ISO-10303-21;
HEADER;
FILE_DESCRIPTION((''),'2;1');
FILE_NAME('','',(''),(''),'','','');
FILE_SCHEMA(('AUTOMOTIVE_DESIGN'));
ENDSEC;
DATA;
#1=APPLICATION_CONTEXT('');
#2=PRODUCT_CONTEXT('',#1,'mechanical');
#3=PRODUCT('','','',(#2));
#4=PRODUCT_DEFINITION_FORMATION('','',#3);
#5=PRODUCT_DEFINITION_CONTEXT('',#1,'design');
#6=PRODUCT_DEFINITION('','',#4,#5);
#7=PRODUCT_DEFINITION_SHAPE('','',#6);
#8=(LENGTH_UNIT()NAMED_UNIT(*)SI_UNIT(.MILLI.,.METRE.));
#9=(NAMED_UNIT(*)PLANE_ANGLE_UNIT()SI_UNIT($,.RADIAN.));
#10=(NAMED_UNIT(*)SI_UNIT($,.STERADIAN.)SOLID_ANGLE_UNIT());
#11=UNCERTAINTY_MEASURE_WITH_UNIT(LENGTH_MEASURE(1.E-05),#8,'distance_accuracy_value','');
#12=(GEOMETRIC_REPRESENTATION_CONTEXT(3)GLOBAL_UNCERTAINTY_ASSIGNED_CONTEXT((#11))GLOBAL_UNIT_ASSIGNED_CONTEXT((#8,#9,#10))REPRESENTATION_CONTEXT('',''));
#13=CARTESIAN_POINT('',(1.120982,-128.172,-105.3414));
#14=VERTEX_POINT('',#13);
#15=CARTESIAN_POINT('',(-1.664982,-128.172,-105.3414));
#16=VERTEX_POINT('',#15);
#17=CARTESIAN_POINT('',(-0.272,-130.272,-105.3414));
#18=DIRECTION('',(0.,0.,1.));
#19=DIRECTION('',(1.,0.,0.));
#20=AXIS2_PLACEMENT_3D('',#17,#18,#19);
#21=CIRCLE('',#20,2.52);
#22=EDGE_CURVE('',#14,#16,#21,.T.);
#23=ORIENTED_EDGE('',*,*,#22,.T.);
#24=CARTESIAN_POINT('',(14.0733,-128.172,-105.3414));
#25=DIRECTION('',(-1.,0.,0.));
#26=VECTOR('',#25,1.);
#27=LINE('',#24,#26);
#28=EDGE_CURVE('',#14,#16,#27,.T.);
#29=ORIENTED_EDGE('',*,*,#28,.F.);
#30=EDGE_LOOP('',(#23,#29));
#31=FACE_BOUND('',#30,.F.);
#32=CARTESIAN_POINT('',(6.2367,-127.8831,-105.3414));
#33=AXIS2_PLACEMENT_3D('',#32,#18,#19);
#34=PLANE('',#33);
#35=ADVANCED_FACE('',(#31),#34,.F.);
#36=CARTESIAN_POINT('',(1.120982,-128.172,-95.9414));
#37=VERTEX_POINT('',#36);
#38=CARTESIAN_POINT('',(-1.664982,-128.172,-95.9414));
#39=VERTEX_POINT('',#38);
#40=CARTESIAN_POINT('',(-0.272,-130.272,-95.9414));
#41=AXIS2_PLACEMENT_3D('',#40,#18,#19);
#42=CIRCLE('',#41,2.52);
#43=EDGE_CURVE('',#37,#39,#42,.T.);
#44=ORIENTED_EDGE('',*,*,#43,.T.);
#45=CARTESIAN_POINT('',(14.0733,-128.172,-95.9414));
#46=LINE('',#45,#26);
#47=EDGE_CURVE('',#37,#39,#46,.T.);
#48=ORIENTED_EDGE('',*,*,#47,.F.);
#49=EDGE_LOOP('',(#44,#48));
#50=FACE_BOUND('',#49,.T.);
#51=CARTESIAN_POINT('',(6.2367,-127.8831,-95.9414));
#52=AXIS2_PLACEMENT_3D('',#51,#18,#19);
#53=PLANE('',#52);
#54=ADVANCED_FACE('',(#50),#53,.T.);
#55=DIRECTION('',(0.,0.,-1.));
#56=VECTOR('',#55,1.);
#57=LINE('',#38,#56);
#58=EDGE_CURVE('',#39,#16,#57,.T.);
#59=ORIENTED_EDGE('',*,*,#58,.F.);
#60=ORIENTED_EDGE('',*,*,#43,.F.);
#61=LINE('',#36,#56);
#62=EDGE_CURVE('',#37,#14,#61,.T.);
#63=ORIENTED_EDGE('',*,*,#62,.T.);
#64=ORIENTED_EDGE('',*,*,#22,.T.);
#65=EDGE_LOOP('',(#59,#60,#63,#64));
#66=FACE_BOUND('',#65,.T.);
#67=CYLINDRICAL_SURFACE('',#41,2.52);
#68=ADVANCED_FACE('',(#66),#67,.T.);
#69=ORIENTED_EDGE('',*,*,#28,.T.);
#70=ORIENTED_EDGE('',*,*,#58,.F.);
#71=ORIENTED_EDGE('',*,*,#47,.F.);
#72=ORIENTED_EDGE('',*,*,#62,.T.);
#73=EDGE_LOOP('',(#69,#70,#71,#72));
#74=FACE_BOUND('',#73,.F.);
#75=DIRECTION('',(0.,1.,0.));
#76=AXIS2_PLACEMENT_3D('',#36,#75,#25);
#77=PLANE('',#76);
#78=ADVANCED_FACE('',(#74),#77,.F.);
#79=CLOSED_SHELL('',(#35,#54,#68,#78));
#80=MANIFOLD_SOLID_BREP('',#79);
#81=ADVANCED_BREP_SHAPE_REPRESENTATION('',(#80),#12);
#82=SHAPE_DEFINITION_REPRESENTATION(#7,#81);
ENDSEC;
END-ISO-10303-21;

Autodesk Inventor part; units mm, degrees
ref_plane "YZ Plane" through (0, 0, 0) normal (1, 0, 0) x (0, 1, 0)
ref_plane "XZ Plane" through (0, 0, 0) normal (0, 1, 0) x (-1, 0, 0)
ref_plane "XY Plane" through (0, 0, 0) normal (0, 0, 1) x (1, 0, 0)
sketch "Skizze1" plane through (6.2367, -127.8831, -95.9414) normal (0, 0, 1) x (1, 0, 0)
  circle A0 centre (-6.5087, -2.3889) radius 2.52 projected
  line L0 (7.8366, -0.2889) -> (-23.4139, -0.2889)
  point P0 (-6.2367, 127.8831)
  point P1 (-7.9017, -0.2889)
  point P2 (-5.1157, -0.2889)
  dimension "d0" = 2.1
extrude "Extrusion1" add sketch "Skizze1" against normal blind 9.4 contours L0 A0 picked at (-6.2196, -0.2002)
properties part number "6a_gear_100"
